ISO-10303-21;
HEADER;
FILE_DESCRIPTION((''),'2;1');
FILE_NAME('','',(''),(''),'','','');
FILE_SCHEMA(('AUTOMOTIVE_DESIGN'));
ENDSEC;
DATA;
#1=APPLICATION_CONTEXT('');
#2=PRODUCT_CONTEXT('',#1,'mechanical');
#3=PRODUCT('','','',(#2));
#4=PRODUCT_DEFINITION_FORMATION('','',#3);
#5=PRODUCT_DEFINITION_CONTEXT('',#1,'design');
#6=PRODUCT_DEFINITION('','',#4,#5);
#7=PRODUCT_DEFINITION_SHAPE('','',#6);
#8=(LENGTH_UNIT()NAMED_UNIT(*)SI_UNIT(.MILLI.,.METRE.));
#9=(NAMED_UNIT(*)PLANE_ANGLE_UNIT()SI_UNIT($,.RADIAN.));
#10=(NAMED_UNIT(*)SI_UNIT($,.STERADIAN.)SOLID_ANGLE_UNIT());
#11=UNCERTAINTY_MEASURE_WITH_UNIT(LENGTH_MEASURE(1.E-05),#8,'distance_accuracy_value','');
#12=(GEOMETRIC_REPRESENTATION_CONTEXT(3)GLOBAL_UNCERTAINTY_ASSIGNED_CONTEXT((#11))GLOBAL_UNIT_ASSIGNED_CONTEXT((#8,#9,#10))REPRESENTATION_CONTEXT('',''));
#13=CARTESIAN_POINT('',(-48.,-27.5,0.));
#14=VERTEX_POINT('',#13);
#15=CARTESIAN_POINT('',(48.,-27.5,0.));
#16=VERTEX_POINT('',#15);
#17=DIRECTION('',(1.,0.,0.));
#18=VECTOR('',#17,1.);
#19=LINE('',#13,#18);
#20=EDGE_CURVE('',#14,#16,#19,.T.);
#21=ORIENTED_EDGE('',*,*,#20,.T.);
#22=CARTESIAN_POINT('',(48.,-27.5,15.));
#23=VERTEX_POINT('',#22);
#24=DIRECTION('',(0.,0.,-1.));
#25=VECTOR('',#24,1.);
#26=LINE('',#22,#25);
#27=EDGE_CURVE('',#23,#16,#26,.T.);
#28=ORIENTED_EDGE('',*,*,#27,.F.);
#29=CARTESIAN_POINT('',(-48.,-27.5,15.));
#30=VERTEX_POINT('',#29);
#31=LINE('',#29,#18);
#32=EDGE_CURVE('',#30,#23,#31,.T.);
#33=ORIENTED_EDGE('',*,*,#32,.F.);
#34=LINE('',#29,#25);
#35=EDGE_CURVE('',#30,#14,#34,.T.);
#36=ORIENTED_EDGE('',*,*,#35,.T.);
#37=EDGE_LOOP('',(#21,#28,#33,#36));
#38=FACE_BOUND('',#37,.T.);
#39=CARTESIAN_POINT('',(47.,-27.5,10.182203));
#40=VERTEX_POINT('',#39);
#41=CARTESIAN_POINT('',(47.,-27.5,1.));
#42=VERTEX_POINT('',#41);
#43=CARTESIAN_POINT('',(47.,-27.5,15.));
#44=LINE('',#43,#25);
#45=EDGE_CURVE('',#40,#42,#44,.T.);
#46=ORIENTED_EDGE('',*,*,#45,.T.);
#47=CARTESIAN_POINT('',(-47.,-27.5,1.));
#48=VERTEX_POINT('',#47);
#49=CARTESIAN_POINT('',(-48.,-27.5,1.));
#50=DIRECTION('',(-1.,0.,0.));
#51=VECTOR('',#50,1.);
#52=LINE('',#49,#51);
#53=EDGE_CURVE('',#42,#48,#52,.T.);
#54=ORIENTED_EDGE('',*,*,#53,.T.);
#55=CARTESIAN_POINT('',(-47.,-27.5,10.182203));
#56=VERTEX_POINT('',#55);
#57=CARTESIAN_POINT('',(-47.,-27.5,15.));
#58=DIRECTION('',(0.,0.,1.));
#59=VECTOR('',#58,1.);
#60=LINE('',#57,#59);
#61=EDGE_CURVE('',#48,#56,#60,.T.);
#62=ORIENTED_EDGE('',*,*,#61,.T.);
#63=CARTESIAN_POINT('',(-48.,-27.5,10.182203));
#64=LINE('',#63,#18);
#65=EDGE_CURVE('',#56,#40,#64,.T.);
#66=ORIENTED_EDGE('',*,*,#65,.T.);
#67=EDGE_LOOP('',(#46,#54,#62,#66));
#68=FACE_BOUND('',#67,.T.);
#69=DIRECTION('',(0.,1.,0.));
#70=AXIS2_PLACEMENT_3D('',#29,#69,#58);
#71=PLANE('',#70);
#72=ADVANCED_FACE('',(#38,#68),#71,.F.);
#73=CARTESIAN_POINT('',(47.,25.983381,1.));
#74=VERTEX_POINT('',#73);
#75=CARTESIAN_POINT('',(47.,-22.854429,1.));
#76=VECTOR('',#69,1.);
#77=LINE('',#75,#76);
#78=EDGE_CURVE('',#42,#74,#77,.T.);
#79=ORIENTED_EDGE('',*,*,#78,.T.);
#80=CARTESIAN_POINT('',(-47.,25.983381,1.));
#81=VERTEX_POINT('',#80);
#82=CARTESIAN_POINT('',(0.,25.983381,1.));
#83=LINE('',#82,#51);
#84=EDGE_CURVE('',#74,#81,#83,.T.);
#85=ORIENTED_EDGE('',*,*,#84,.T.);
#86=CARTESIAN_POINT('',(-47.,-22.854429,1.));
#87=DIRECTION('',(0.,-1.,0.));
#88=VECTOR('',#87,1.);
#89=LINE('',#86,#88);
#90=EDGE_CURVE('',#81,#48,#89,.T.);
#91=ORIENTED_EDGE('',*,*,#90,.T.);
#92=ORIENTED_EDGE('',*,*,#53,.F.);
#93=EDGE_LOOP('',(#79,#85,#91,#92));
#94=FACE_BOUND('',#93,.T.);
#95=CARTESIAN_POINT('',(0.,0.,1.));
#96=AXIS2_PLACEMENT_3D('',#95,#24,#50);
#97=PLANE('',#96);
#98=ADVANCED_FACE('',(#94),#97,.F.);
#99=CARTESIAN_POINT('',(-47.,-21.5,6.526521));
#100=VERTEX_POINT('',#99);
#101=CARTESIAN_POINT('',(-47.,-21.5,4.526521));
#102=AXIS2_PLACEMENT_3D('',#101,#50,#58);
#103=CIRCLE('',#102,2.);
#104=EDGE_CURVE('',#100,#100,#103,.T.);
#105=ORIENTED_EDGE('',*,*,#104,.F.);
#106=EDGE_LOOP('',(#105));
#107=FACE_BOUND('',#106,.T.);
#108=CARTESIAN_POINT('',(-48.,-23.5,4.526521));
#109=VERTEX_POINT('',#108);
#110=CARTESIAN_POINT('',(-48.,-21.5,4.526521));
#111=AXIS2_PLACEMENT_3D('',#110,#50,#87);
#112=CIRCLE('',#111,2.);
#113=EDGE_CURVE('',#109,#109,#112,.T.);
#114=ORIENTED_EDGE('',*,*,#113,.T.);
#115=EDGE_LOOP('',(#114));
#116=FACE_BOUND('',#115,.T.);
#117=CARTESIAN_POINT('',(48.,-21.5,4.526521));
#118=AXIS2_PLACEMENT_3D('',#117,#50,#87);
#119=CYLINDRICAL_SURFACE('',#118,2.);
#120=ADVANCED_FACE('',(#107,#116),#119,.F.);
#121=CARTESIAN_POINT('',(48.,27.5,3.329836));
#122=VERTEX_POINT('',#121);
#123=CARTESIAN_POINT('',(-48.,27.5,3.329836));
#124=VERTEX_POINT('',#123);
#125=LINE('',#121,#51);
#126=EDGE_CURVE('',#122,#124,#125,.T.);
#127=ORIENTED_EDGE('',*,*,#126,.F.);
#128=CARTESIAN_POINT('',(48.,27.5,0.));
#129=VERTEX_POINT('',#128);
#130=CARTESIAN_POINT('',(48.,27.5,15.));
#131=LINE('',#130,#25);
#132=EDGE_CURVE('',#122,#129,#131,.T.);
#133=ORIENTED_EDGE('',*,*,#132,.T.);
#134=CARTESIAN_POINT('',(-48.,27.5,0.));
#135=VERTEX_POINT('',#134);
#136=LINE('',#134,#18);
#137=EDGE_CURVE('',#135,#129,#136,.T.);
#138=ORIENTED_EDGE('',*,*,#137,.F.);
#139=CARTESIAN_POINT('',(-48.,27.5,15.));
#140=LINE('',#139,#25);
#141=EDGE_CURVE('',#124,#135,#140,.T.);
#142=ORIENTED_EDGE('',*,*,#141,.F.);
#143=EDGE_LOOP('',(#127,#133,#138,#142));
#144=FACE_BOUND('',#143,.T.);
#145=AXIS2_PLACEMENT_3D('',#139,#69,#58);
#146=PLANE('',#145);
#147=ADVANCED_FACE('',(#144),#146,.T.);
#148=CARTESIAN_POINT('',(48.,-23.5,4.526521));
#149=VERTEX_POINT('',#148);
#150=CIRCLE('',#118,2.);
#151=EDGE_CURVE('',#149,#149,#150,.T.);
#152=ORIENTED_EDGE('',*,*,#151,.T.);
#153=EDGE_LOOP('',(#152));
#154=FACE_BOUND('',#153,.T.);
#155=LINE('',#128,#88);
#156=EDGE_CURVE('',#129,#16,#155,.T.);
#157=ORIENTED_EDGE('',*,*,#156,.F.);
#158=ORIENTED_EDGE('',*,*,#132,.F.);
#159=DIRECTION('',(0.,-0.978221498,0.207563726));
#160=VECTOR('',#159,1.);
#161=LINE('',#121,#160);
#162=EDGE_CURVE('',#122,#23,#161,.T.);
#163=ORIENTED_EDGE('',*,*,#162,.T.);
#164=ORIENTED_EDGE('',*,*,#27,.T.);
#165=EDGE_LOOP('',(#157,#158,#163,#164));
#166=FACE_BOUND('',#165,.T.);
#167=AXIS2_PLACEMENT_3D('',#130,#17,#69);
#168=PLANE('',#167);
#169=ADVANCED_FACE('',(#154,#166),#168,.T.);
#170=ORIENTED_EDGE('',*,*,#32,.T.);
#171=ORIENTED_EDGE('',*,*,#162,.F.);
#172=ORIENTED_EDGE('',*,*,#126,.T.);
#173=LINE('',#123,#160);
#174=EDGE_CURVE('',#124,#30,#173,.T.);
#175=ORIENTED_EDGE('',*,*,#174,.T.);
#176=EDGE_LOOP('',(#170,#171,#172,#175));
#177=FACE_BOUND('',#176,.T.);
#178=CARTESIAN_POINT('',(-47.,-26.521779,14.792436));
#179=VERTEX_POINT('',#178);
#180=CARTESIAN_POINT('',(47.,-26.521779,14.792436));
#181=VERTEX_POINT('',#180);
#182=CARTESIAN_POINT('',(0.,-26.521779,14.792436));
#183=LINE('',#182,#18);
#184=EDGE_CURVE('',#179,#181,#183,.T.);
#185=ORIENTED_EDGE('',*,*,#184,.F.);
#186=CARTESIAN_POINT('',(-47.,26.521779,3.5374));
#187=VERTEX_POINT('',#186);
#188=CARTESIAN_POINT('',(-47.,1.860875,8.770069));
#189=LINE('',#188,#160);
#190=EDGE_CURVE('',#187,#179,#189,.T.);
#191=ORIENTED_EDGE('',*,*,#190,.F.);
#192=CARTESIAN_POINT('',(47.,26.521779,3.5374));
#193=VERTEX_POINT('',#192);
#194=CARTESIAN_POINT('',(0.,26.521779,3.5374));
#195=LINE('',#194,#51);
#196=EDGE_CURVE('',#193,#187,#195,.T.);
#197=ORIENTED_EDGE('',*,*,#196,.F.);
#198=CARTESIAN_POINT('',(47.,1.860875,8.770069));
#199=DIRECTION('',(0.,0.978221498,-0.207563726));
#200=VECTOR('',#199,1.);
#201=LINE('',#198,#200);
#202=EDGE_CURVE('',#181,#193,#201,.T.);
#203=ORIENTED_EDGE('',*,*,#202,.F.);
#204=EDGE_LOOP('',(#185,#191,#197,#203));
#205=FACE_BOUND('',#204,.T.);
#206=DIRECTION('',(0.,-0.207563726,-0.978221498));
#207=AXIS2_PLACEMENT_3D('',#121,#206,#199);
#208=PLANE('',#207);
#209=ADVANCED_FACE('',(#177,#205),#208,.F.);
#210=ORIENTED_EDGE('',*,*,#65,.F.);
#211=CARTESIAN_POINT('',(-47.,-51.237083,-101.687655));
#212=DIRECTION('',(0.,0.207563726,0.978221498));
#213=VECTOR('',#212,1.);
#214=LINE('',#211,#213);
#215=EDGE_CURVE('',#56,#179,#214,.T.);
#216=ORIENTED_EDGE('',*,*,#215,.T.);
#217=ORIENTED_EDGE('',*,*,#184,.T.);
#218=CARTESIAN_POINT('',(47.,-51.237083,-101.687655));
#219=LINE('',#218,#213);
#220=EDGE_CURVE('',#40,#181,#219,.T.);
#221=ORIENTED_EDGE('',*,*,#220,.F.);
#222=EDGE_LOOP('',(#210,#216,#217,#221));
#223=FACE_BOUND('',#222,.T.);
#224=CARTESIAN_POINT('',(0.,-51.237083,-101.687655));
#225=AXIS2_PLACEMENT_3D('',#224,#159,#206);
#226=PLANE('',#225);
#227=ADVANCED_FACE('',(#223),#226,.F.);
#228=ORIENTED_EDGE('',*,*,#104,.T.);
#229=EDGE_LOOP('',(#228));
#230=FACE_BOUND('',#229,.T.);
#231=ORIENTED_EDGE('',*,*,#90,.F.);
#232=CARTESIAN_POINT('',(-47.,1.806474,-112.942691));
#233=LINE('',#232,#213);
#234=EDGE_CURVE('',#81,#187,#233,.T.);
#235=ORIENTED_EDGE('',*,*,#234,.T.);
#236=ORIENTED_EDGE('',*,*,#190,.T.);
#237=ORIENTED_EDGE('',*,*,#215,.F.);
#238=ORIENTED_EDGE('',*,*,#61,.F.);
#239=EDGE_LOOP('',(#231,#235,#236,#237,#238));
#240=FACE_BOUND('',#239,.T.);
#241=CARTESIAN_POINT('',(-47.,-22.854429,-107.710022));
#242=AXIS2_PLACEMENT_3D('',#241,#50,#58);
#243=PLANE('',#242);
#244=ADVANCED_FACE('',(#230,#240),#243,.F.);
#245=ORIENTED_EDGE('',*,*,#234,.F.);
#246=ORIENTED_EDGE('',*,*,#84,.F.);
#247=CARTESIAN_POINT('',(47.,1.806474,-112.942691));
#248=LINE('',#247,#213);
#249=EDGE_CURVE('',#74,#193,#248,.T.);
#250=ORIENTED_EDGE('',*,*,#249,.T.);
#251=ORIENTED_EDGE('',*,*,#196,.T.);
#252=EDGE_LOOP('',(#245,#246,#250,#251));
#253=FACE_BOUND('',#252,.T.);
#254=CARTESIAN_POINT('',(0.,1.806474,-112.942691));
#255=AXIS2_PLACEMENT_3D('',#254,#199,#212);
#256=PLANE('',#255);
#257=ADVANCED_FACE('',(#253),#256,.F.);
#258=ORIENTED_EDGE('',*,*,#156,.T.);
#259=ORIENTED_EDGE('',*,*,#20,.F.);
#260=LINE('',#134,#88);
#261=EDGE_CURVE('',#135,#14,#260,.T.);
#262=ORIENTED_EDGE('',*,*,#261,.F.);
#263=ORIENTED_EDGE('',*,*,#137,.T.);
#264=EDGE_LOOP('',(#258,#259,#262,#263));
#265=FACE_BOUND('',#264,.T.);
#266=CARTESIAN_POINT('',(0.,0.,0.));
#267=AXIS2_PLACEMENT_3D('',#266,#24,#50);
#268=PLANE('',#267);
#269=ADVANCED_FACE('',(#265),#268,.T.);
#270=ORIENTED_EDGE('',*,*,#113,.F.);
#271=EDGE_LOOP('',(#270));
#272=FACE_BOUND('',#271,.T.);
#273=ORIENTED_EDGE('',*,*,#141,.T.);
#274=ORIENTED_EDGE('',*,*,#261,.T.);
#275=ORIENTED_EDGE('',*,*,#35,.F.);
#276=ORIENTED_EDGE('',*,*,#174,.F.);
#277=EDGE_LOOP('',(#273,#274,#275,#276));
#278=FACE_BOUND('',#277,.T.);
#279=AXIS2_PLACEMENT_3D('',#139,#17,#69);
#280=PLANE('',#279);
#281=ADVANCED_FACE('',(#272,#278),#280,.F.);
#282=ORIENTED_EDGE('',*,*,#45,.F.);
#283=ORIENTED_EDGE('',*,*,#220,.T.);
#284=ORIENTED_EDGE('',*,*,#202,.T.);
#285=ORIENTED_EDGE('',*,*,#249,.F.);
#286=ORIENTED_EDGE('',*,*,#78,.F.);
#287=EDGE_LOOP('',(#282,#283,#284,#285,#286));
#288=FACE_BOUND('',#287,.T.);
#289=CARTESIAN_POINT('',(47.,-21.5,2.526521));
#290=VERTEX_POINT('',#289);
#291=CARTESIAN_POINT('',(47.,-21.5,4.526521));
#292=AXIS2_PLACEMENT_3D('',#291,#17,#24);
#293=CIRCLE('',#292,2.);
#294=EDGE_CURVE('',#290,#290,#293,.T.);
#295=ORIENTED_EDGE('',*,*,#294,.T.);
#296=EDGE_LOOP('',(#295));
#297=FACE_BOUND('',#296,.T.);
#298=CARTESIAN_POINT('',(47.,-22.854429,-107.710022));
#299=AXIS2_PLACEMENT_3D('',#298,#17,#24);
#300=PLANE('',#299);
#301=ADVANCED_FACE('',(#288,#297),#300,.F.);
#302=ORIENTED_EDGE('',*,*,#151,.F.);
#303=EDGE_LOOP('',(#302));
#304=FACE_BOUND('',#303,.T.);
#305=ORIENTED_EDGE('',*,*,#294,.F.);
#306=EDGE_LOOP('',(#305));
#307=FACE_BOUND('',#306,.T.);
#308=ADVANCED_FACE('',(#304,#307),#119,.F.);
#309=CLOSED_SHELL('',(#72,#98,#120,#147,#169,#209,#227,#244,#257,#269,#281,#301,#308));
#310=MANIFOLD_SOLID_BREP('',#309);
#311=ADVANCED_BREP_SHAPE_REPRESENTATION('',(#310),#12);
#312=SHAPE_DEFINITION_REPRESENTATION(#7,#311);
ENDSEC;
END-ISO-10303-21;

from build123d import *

# Parameters (mm, degrees)
CROQUIS1_W                          = 96
CROQUIS1_H                          = 55
SALIENTE_EXTRUIR2_DEPTH             = 15
CORTAR_EXTRUIR1_DEPTH               = 96
CORTAR_EXTRUIR6_REACH               = 17.673
CORTAR_EXTRUIR6_OFFSET_FROM_SURFACE = 1
CROQUIS4_W                          = 94
CROQUIS4_H                          = 54.224485051
CROQUIS5_R                          = 2
CORTAR_EXTRUIR7_DEPTH               = 97


with BuildPart() as part:
    # Croquis1 → Saliente-Extruir2 (new body)
    with BuildSketch(Plane.XY):
        Rectangle(CROQUIS1_W, CROQUIS1_H)
    extrude(amount=SALIENTE_EXTRUIR2_DEPTH)

    # Croquis2 → Cortar-Extruir1 (cut)
    with BuildSketch(Plane.ZY.offset(48)):
        Polygon((3.329836367, 27.5), (15, 27.5), (15, -27.5), align=None)
    extrude(amount=-CORTAR_EXTRUIR1_DEPTH, mode=Mode.SUBTRACT)

    # Cortar-Extruir6: up to this face of the body (flat: up to its plane, moved by the offset)
    cortar_extruir6_end = Plane(part.part.faces().sort_by_distance((0, 0, 0))[0]).offset(-CORTAR_EXTRUIR6_OFFSET_FROM_SURFACE)
    # Croquis4 → Cortar-Extruir6 (cut, up to the picked face)
    with BuildSketch(Plane(origin=(0, 1.860875227, 8.770068758), x_dir=(1, 0, 0), z_dir=(0, 0.207563726, 0.978221498)), mode=Mode.PRIVATE) as cortar_extruir6_sk1:
        with Locations((0, -1.902304571)):
            Rectangle(CROQUIS4_W, CROQUIS4_H)
    cortar_extruir6_tool1 = split(extrude(cortar_extruir6_sk1.sketch, amount=-CORTAR_EXTRUIR6_REACH, mode=Mode.PRIVATE), bisect_by=cortar_extruir6_end, keep=Keep.BOTH, mode=Mode.PRIVATE)
    add(cortar_extruir6_tool1.solids().sort_by_distance((0, 0, 9.164918))[0], mode=Mode.SUBTRACT)

    # Croquis5 → Cortar-Extruir7 (cut, through all)
    with BuildSketch(Plane.ZY.offset(48)):
        with Locations((4.526520959, -21.5)):
            Circle(CROQUIS5_R)
    extrude(amount=-CORTAR_EXTRUIR7_DEPTH, mode=Mode.SUBTRACT)


solid = part.part
